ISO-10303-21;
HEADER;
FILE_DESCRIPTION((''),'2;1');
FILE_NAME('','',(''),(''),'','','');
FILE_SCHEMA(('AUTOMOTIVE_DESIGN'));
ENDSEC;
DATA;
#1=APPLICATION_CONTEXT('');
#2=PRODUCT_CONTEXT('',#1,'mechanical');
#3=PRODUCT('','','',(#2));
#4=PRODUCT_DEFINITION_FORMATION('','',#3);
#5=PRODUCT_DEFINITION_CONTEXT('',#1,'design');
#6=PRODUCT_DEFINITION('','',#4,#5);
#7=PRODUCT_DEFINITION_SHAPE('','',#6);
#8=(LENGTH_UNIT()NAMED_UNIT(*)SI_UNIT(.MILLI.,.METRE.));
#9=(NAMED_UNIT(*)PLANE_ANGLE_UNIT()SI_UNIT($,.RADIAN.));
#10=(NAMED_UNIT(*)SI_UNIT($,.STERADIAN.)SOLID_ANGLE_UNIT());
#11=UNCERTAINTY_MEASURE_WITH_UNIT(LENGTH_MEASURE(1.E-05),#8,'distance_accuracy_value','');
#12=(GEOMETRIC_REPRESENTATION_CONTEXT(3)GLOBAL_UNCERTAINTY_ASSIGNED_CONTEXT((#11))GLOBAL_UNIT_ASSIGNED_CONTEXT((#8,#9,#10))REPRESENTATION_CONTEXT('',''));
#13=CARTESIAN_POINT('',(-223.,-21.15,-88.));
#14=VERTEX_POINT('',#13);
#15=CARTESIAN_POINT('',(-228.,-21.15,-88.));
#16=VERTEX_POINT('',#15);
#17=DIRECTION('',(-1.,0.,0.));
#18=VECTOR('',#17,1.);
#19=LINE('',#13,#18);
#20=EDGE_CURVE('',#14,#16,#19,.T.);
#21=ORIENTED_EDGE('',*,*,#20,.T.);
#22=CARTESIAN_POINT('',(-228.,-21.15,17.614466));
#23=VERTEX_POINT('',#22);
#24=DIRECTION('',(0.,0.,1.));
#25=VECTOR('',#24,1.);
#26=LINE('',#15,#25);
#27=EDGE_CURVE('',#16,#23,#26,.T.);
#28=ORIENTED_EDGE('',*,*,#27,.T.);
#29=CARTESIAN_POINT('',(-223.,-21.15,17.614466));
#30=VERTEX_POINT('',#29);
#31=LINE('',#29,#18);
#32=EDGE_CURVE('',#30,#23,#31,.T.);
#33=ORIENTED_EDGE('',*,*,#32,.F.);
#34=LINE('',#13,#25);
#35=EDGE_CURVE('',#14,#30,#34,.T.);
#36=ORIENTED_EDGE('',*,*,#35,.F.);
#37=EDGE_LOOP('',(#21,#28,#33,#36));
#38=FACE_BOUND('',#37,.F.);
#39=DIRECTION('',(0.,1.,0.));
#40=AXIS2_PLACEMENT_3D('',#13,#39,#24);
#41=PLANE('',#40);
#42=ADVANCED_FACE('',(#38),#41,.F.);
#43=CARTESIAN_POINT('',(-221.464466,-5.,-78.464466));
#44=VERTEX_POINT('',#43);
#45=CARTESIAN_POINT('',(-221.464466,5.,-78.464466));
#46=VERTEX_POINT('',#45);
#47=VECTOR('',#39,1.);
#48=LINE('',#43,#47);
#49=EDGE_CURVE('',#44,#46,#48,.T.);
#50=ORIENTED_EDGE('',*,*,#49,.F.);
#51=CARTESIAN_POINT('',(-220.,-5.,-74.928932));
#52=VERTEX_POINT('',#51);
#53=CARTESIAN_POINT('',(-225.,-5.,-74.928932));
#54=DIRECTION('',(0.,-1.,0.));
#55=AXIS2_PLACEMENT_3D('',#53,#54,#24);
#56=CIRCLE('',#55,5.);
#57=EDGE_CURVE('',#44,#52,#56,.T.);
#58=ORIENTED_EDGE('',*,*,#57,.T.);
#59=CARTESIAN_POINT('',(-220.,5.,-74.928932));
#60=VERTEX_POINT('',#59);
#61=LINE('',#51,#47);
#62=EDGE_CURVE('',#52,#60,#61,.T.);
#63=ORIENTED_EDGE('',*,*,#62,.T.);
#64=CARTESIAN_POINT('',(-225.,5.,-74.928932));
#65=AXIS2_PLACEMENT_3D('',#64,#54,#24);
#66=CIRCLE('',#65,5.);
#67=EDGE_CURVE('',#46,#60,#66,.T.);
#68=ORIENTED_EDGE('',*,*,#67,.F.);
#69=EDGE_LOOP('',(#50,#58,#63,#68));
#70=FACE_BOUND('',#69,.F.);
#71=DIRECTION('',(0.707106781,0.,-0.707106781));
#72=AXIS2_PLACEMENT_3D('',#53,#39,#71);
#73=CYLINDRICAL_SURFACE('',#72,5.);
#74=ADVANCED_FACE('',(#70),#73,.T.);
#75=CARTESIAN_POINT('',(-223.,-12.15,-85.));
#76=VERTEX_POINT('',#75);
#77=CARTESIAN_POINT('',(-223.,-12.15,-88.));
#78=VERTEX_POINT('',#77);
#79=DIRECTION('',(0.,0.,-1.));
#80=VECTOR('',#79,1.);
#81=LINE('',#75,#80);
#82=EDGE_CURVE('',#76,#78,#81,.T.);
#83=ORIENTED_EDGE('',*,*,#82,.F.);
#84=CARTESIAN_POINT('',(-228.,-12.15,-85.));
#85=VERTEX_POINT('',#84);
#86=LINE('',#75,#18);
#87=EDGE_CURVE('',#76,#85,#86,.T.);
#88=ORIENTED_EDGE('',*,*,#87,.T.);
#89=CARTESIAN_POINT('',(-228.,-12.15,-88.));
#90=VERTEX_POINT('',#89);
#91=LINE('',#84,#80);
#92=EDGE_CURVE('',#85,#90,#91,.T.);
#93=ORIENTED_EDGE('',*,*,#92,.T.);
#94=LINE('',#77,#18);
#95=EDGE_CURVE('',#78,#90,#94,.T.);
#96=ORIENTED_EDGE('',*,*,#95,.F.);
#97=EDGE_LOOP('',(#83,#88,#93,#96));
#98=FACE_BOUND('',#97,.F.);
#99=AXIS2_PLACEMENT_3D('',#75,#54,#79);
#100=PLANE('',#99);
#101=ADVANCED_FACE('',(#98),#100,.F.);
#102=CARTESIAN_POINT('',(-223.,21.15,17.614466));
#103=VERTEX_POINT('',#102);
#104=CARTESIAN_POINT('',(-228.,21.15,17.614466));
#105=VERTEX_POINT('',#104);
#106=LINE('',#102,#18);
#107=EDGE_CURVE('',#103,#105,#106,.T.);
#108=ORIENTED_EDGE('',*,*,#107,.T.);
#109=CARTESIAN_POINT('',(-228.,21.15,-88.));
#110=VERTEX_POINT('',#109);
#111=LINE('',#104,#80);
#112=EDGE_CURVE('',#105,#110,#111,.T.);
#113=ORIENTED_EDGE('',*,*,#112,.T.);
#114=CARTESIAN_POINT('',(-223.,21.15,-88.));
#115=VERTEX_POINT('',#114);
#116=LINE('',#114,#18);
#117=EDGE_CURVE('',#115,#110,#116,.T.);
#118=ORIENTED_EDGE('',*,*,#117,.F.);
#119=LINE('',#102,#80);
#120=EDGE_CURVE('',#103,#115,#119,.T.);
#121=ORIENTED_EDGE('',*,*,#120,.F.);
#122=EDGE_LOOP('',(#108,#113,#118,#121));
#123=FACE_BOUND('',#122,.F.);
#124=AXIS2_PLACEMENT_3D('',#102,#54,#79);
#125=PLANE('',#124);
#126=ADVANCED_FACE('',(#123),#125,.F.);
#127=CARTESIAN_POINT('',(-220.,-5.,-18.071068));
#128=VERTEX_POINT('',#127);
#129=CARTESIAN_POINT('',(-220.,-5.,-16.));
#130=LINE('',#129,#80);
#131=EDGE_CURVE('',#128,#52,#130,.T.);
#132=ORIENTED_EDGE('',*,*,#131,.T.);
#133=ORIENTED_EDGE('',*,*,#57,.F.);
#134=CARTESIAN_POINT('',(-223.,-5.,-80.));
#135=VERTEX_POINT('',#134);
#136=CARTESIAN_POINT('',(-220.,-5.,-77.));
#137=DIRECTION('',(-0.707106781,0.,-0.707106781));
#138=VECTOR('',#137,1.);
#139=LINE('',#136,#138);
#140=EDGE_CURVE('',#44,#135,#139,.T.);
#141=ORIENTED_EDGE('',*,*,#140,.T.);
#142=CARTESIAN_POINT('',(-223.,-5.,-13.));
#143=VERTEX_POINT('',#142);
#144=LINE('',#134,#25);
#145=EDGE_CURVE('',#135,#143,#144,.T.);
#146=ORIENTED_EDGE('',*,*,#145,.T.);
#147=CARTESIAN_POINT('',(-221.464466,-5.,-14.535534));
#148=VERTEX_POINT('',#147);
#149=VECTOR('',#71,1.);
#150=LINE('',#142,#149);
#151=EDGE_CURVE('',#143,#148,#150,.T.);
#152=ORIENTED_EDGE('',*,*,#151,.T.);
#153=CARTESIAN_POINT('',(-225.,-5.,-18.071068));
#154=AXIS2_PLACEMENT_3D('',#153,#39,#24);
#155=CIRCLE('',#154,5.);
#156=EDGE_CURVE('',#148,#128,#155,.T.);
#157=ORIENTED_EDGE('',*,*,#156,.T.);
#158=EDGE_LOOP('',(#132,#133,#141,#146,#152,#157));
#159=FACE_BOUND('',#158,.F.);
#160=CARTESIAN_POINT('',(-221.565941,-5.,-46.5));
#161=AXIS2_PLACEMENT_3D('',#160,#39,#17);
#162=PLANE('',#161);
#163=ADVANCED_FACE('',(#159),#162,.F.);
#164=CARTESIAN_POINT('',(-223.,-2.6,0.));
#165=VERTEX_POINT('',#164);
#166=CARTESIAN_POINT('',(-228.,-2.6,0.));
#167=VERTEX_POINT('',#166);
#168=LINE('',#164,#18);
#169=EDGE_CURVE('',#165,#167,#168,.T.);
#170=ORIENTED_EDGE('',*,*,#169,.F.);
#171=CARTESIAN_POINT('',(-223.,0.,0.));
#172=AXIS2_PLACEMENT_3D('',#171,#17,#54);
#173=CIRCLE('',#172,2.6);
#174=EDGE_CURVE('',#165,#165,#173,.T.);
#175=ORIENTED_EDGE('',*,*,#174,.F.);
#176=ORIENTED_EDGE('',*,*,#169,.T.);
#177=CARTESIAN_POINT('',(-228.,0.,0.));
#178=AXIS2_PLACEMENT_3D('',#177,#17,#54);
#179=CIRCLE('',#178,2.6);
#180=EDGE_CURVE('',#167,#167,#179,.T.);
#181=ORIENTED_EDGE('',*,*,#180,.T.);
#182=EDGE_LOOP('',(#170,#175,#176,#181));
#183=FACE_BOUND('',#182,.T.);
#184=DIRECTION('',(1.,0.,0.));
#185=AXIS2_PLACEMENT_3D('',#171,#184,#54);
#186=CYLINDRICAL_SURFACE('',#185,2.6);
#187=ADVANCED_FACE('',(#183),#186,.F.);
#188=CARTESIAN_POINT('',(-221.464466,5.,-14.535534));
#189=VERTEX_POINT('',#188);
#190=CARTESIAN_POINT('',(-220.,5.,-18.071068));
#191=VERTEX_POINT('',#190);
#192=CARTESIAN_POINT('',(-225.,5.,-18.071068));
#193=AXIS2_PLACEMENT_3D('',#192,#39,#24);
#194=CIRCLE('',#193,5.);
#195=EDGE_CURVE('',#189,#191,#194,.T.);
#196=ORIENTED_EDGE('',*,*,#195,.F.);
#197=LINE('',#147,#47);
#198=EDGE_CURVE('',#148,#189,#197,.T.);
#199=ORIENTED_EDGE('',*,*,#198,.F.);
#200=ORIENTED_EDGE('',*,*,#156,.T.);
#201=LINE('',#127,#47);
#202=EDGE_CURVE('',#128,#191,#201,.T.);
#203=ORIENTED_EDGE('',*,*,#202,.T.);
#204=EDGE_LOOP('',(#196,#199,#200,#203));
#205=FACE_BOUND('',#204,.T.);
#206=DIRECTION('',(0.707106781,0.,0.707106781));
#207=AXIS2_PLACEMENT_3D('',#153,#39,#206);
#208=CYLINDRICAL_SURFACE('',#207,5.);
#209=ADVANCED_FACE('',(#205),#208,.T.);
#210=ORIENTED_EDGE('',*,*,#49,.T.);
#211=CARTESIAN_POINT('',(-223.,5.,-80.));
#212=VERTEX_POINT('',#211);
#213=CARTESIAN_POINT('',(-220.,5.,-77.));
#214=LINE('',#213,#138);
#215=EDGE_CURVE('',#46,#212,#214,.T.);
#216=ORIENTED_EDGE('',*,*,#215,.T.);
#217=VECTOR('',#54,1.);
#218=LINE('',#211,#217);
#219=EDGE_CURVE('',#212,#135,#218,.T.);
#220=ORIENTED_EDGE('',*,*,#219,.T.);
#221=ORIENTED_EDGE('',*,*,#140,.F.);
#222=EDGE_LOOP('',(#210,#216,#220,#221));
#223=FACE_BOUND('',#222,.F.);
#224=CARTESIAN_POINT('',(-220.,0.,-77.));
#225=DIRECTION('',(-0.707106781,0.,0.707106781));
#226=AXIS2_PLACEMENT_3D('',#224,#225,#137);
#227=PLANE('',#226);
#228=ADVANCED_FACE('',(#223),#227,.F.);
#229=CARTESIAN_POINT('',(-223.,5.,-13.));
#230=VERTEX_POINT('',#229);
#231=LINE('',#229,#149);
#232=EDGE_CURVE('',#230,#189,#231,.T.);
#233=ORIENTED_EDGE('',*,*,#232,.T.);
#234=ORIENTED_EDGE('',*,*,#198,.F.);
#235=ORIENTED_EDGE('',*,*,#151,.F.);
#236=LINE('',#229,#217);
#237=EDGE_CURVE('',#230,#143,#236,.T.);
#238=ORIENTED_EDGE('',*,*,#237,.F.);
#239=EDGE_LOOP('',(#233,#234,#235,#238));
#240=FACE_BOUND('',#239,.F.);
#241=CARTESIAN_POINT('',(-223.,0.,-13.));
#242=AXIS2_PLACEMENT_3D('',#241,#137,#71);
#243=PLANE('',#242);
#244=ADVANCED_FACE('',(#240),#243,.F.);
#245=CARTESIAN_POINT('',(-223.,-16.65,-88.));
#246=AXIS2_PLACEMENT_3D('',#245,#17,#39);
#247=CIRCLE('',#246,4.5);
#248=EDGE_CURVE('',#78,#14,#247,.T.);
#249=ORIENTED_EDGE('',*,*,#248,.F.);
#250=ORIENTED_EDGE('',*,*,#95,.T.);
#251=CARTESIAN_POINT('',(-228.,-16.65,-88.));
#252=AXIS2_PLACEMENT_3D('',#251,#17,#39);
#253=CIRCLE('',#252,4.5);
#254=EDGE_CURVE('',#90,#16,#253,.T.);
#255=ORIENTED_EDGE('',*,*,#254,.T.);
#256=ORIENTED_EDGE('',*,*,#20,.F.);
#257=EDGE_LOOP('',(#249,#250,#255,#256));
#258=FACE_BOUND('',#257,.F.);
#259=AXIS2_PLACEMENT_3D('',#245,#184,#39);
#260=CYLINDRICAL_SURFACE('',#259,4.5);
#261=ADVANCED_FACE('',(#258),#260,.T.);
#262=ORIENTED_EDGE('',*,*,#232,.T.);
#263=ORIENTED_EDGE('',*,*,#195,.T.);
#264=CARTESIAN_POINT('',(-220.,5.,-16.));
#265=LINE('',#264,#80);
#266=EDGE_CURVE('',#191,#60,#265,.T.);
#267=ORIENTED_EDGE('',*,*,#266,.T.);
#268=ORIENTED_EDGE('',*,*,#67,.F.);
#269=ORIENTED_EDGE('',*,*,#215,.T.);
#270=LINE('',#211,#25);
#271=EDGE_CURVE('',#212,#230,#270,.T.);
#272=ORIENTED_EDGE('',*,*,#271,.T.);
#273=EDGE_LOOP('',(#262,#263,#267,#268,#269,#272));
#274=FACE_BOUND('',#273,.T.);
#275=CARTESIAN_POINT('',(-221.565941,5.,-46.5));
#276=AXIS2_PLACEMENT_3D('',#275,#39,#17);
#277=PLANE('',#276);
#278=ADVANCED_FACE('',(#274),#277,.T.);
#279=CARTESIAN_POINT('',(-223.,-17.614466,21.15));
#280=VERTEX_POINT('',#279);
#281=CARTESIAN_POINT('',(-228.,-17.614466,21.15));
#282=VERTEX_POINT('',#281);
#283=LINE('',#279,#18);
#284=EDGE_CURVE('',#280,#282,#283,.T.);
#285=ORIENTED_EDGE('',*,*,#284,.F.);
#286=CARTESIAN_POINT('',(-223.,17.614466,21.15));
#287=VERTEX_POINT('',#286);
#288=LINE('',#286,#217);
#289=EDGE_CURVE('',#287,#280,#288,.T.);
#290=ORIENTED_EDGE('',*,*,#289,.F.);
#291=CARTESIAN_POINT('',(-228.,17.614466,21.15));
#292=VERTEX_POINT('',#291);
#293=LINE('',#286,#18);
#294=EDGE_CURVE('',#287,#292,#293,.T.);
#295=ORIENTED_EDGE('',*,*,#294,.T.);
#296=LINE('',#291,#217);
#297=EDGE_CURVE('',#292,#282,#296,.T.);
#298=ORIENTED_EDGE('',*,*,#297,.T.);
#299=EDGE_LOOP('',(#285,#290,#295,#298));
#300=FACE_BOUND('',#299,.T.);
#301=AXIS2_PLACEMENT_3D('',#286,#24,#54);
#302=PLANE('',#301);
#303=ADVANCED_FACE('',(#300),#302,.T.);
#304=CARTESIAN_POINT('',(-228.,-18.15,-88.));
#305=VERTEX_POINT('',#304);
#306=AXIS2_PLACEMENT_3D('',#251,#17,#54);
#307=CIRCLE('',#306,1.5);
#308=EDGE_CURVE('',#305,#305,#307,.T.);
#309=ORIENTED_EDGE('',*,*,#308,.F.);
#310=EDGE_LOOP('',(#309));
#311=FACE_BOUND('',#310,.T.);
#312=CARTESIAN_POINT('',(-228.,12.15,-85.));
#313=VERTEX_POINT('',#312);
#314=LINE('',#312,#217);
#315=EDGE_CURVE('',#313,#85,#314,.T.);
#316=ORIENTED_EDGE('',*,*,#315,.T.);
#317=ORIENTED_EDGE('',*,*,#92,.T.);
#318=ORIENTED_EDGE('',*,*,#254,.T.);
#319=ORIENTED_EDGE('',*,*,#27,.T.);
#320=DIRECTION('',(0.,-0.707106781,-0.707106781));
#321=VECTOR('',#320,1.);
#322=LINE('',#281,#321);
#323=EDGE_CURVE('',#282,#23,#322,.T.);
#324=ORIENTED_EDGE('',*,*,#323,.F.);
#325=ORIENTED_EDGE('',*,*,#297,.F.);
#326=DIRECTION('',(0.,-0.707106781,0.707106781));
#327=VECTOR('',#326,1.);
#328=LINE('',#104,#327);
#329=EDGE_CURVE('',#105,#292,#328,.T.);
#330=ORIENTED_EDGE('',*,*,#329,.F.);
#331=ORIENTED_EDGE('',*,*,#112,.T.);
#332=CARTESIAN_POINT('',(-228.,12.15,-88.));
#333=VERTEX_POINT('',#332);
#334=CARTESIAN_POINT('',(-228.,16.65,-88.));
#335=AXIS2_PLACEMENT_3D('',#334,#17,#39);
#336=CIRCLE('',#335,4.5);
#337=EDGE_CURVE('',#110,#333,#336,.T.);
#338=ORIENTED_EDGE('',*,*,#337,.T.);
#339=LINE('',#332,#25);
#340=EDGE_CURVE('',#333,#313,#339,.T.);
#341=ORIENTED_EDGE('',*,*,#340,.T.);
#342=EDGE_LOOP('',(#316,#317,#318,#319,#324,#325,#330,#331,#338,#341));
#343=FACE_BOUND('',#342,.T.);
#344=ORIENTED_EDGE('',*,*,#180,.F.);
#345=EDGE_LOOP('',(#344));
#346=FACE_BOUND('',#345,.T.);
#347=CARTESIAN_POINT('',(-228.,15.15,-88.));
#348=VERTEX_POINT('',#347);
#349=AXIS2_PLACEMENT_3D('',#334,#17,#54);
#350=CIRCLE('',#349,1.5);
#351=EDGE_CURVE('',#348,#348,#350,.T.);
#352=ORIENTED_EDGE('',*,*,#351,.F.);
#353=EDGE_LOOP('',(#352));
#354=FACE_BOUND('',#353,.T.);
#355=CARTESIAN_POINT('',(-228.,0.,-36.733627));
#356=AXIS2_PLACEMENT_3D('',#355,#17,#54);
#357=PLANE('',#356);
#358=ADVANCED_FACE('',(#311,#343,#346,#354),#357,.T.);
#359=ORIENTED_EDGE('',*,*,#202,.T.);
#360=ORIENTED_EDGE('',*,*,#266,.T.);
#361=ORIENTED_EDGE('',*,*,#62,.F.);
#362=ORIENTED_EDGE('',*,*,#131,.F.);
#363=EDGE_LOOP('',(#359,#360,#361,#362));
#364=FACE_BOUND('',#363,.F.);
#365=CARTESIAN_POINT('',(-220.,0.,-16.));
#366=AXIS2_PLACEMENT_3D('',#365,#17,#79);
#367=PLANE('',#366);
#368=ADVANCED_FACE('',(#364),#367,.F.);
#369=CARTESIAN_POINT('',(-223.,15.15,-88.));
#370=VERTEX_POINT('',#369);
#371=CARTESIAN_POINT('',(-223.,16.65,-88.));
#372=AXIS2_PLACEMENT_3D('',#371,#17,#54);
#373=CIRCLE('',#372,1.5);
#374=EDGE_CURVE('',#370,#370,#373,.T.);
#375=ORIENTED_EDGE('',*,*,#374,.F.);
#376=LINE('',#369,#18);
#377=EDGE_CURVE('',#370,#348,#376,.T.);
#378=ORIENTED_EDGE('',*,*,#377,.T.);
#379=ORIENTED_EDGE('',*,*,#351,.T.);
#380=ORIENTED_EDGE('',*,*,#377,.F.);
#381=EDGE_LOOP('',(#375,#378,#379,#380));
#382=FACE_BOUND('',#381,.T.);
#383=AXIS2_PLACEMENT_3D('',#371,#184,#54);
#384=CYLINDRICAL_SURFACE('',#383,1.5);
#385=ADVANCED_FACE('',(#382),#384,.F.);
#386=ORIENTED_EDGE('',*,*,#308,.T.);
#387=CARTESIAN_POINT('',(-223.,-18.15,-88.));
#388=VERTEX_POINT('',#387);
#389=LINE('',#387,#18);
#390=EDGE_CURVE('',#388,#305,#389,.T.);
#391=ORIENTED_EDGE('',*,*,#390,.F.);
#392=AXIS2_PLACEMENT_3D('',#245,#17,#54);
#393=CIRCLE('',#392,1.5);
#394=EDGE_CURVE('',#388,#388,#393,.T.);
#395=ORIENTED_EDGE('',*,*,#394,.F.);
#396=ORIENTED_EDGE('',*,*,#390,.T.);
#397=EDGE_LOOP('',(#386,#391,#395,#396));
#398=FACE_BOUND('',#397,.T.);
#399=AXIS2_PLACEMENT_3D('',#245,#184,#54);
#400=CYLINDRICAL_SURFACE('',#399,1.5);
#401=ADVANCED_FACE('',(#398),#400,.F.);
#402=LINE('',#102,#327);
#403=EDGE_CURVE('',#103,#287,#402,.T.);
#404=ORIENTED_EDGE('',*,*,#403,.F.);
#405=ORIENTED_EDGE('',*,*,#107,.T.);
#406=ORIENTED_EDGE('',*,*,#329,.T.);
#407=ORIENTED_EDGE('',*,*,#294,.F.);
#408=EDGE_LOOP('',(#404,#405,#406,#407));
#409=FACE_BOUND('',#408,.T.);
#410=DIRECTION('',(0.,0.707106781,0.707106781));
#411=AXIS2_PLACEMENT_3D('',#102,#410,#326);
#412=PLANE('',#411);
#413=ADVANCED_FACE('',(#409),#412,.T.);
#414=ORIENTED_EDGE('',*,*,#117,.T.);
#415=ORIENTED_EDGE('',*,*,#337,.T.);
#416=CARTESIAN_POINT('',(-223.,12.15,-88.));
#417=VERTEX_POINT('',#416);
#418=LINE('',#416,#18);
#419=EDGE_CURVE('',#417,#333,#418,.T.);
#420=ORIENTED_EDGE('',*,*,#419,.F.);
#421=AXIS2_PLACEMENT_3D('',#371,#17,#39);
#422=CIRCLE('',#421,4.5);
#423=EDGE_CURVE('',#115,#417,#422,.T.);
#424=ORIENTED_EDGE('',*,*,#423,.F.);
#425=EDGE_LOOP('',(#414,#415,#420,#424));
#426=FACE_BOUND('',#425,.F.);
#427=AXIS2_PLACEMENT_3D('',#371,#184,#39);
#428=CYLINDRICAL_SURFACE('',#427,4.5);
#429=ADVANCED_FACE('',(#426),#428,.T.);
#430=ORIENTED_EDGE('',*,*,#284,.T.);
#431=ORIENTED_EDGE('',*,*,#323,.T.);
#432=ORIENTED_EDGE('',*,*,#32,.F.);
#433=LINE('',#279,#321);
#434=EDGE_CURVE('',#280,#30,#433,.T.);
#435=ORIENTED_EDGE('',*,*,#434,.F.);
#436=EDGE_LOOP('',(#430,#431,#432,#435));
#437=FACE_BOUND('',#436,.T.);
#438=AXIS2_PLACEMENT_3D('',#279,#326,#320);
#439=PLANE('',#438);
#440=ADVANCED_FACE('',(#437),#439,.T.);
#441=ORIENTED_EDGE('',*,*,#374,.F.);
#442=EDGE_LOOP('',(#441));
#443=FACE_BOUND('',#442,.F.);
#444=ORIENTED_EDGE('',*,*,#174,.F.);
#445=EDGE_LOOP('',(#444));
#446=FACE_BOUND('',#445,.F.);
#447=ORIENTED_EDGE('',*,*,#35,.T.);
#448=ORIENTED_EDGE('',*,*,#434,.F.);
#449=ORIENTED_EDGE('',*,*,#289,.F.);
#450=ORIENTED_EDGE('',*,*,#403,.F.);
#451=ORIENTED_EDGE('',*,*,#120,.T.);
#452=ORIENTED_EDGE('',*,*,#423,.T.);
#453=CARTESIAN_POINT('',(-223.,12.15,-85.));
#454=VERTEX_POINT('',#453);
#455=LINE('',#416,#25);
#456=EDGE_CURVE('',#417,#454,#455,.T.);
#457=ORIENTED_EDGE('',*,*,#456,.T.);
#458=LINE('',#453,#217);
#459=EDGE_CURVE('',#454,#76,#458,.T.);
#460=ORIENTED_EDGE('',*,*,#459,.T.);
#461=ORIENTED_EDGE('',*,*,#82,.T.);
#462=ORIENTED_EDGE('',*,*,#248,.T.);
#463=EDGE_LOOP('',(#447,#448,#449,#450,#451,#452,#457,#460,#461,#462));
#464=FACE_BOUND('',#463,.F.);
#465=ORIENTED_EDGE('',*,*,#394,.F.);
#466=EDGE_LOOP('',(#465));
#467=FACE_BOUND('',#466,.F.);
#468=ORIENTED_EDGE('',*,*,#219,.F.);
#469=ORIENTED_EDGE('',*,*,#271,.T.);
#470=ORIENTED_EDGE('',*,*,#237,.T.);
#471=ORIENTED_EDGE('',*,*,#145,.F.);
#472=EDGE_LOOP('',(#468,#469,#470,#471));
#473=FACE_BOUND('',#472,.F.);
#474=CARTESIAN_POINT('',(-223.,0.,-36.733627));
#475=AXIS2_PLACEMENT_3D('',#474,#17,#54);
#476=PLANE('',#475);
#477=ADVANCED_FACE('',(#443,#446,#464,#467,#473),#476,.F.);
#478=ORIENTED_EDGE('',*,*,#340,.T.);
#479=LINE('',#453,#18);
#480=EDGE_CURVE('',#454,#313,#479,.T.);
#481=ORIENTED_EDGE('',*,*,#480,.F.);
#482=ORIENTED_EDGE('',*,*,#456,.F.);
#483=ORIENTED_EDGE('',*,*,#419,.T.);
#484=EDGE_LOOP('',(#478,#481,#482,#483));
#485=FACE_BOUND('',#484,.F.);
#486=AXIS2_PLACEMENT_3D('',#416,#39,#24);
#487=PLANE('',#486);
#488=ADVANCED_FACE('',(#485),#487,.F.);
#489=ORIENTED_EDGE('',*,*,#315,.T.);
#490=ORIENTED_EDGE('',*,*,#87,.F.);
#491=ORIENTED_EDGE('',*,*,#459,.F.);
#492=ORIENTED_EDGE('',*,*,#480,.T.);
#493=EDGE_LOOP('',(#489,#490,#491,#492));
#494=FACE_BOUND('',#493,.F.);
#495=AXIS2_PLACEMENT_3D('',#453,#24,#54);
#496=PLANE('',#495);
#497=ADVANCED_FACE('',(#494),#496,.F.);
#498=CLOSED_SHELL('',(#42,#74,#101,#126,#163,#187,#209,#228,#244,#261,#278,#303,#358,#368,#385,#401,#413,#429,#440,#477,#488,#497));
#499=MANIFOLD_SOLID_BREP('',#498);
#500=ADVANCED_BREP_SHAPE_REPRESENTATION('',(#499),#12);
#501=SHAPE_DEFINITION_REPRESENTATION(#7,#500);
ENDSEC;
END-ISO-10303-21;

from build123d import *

# Parameters (mm, degrees)
SKETCH015_R   = 1.5
SKETCH015_R_2 = 2.6
PAD026_DEPTH  = 5
PAD033_DEPTH  = 5
FILLET004_R   = 5


with BuildPart() as part:
    # Sketch015 (on Face1 of Binder015) → Pad026 (new body)
    with BuildSketch(Plane(origin=(-223, 0, 0), x_dir=(0, -1, 0), z_dir=(-1, 0, 0))):
        with BuildLine():
            Line((-21.15, -85), (-21.15, -88))
            ThreePointArc((-21.15, -88), (-16.65, -92.5), (-12.15, -88))
            Line((-12.15, -88), (-12.15, -85))
            Line((-12.15, -85), (12.15, -85))
            Line((12.15, -85), (12.15, -88))
            ThreePointArc((12.15, -88), (16.65, -92.5), (21.15, -88))
            Line((21.15, -88), (21.15, -85))
            Line((21.15, -85), (21.15, 17.6144660941))
            Line((17.6144660941, 21.15), (21.15, 17.6144660941))
            Line((-17.6144660941, 21.15), (17.6144660941, 21.15))
            Line((-21.15, 17.6144660941), (-17.6144660941, 21.15))
            Line((-21.15, 17.6144660941), (-21.15, -85))
        make_face()
        with Locations((16.65, -88)):
            Circle(SKETCH015_R, mode=Mode.SUBTRACT)
        with Locations((-16.65, -88)):
            Circle(SKETCH015_R, mode=Mode.SUBTRACT)
        Circle(SKETCH015_R_2, mode=Mode.SUBTRACT)
    extrude(amount=PAD026_DEPTH)

    # Sketch083 (on DatumPlane) → Pad033 (join, symmetric)
    with BuildSketch(Plane(origin=(-224.6666666667, 0, -49.6166666667), x_dir=(1, 0, 0), z_dir=(0, -1, 0))):
        Polygon((1.6666666667, 36.6166666667), (4.6666666667, 33.6166666667), (4.6666666667, -27.3833333333), (1.6666666667, -30.3833333333), align=None)
    extrude(amount=PAD033_DEPTH, both=True)

    # Fillet004
    fillet004_edges = [part.edges().sort_by_distance(p)[0] for p in [
        (-220, 0, -16),
        (-220, 0, -77),
    ]]
    fillet(fillet004_edges, radius=FILLET004_R)


solid = part.part
